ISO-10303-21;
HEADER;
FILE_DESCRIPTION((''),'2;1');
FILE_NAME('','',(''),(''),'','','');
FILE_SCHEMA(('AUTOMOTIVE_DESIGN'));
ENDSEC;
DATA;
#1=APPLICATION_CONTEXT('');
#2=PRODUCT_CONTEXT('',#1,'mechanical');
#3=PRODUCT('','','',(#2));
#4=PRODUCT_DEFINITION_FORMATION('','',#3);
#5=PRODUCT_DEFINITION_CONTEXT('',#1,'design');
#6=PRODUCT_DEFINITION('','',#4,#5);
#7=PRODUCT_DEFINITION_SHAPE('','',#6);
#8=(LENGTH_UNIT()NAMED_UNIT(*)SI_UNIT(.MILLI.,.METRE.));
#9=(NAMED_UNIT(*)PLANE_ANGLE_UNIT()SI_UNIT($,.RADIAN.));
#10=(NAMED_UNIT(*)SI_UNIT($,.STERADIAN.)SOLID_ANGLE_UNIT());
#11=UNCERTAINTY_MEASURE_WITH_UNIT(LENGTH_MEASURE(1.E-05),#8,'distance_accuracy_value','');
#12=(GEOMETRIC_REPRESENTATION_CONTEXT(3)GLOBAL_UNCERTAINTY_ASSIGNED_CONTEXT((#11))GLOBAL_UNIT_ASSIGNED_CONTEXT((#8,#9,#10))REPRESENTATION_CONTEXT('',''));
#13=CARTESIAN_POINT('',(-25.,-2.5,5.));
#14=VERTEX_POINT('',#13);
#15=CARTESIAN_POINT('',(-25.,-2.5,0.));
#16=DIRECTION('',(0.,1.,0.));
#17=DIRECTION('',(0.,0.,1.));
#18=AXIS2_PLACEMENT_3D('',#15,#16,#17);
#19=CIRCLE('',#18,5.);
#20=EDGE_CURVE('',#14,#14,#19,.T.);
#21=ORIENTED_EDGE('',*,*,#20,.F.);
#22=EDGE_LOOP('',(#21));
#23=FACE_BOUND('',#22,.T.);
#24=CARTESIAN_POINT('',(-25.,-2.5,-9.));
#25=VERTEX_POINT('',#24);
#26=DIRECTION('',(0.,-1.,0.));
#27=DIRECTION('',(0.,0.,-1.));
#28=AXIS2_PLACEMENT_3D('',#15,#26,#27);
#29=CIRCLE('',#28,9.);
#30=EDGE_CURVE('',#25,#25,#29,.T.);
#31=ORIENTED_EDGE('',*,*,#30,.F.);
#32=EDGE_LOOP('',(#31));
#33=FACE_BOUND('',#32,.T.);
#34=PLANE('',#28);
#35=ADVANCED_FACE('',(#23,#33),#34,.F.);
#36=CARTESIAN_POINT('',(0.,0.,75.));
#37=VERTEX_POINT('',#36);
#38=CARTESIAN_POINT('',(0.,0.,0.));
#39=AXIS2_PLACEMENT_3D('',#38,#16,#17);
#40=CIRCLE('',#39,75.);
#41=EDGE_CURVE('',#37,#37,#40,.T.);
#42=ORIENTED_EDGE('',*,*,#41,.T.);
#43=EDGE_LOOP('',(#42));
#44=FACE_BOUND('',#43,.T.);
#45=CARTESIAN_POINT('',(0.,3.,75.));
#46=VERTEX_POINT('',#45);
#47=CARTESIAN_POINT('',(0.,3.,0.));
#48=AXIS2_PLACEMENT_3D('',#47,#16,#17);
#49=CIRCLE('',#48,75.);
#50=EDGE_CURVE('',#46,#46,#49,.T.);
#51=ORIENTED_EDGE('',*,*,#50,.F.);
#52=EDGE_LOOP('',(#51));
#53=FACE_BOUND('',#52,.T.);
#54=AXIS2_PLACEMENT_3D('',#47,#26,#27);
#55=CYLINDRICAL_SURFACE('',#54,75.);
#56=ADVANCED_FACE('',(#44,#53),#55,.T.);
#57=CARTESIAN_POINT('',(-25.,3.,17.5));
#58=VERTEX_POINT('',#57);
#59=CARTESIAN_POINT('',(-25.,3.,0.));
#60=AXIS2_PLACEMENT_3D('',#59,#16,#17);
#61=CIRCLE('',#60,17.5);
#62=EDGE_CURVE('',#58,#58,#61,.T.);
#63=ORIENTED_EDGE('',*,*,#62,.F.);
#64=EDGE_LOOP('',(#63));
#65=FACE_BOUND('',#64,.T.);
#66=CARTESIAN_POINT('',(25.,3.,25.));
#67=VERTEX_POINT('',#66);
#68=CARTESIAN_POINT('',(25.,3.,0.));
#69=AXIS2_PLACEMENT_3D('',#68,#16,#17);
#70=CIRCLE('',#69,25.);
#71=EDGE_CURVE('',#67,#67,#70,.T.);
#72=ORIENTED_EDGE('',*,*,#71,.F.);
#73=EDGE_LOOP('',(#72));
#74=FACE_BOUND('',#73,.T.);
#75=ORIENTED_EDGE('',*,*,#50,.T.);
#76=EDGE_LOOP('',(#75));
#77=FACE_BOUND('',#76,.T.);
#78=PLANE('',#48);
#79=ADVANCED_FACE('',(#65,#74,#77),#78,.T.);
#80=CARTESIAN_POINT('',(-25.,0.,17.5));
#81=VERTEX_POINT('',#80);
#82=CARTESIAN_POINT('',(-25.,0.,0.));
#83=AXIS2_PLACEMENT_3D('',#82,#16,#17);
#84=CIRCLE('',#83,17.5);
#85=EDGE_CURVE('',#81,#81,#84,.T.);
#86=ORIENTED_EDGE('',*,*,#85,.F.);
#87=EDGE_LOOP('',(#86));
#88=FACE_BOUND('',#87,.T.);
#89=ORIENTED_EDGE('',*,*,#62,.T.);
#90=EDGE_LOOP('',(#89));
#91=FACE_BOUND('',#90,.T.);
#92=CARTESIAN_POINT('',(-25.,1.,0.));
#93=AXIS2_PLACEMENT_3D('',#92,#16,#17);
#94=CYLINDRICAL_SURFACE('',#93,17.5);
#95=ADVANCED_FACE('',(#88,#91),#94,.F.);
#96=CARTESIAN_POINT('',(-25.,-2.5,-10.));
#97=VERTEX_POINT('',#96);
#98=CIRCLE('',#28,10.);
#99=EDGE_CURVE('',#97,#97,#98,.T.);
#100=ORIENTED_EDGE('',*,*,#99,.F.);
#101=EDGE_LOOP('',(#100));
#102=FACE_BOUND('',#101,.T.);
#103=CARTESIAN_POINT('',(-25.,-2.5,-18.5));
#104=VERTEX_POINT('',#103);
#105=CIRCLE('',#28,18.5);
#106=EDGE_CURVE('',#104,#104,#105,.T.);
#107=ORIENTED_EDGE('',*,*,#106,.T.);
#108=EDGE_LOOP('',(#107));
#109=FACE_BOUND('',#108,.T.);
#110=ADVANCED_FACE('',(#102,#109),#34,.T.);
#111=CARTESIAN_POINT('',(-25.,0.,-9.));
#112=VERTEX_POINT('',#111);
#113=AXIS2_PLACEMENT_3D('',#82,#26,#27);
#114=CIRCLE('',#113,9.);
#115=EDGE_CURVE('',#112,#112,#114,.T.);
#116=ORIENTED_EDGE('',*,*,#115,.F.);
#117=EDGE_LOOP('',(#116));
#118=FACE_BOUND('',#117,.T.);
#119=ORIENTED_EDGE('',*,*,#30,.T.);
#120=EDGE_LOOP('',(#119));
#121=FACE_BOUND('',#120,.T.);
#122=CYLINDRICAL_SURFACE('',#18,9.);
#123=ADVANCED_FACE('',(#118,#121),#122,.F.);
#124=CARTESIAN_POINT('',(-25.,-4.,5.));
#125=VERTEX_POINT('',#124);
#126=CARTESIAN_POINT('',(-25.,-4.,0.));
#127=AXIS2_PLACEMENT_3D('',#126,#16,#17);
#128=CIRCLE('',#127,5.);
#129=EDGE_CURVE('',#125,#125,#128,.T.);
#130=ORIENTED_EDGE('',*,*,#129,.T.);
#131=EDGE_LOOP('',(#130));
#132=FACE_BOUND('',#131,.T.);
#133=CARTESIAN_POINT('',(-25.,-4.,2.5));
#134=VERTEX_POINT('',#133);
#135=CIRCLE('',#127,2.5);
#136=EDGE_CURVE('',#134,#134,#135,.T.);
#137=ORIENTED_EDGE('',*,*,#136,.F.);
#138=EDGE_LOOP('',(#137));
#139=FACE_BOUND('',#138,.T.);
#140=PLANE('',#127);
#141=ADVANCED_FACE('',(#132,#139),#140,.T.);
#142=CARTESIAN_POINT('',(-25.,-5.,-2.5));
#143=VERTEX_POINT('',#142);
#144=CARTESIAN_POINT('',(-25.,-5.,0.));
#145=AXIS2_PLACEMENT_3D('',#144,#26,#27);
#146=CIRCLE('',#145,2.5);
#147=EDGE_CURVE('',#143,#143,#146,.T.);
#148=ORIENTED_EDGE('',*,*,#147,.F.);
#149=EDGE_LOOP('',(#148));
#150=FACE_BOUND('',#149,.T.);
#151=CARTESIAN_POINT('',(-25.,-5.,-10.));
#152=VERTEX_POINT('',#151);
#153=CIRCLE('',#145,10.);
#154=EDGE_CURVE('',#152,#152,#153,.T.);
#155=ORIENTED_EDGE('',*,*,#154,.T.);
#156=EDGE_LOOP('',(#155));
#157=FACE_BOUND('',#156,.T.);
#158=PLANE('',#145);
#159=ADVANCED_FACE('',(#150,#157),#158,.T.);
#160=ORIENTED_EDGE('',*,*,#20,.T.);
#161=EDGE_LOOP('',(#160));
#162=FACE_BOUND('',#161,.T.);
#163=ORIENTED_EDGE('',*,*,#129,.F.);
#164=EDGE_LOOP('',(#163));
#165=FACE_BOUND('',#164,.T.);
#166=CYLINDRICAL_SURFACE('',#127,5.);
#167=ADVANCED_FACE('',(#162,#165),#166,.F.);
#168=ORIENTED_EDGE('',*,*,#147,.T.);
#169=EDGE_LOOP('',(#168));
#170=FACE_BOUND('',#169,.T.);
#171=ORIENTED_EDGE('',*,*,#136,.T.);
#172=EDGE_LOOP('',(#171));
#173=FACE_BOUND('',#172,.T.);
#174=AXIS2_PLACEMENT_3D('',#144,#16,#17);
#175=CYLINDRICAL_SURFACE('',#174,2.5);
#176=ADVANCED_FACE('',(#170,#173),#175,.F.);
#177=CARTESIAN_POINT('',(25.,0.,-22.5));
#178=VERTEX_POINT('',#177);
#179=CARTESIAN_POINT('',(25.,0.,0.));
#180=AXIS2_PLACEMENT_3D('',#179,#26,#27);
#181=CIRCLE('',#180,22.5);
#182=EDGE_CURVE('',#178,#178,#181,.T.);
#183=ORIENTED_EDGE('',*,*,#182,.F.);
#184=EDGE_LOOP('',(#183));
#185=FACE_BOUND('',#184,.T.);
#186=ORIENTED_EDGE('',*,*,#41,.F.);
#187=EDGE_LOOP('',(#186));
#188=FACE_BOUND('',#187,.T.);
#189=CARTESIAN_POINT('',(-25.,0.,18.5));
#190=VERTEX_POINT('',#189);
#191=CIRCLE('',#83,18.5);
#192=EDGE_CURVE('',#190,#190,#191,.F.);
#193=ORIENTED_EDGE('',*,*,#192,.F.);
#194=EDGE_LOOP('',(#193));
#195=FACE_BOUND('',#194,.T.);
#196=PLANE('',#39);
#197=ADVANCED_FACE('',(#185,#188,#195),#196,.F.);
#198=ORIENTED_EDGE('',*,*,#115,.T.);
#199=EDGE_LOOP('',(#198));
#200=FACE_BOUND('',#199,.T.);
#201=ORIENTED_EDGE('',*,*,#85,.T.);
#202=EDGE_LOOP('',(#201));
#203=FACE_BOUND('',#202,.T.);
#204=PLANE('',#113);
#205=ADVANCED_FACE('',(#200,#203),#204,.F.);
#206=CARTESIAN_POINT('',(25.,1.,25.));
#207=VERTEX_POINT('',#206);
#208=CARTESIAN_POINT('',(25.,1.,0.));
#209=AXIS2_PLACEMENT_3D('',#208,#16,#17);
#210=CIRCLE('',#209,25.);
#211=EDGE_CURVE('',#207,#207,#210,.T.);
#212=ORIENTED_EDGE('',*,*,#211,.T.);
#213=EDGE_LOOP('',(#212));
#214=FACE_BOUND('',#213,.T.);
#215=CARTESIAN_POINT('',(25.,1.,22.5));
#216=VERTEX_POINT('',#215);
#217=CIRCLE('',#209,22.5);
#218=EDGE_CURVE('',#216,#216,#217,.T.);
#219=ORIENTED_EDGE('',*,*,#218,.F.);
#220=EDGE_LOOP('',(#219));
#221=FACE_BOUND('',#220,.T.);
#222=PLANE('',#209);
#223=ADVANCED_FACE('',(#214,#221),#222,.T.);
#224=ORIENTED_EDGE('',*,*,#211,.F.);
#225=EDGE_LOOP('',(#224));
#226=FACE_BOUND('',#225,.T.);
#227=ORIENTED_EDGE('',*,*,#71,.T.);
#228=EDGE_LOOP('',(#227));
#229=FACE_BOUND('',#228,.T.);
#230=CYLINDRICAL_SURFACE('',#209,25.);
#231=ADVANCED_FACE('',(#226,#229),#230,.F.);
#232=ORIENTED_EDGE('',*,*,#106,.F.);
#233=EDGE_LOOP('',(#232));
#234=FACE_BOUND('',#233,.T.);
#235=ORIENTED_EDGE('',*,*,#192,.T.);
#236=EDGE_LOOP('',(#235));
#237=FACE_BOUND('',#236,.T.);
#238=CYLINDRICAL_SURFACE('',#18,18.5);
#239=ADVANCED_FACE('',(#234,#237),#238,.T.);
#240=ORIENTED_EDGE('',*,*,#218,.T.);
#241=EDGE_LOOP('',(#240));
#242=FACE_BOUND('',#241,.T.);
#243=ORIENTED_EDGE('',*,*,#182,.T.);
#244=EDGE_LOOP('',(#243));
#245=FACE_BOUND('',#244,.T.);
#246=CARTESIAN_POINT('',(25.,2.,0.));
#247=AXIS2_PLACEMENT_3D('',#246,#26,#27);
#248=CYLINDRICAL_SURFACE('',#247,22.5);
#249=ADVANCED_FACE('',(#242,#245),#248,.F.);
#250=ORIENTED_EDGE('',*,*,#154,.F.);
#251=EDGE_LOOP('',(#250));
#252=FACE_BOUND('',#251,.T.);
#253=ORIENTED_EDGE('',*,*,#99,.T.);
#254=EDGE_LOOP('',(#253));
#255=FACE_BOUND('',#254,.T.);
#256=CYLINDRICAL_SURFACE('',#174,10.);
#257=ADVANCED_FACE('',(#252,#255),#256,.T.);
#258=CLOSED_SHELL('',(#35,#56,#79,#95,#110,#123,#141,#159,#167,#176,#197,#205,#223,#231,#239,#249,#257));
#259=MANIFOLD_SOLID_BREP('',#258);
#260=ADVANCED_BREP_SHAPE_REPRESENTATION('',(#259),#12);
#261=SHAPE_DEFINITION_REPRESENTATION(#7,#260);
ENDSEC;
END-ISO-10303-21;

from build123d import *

# Parameters (mm, degrees)
SKETCH_1_R          = 75
EXTRUDE_1_DEPTH     = 3
SKETCH_2_R          = 17.5
SKETCH_2_R_2        = 25
CUT_EXTRUDE_1_DEPTH = 2
SKETCH_3_R          = 22.5
CUT_EXTRUDE_2_DEPTH = 2
SKETCH_12_R         = 17.5
CUT_EXTRUDE_7_DEPTH = 1
SKETCH_15_R         = 18.5
SKETCH_15_R_2       = 9
EXTRUDE_6_DEPTH     = 2.5
SKETCH_16_R         = 10
SKETCH_16_R_2       = 2.5
EXTRUDE_7_DEPTH     = 2.5
SKETCH_17_R         = 5
CUT_EXTRUDE_9_DEPTH = 1.5


with BuildPart() as part:
    # 草图1 → 凸台-拉伸1 (new body)
    with BuildSketch(Plane(origin=(0, 0, 0), x_dir=(1, 0, 0), z_dir=(0, 1, 0))):
        with Locations(Location((0, 0, 0), (0, 0, 270))):
            Circle(SKETCH_1_R)
    extrude(amount=EXTRUDE_1_DEPTH)

    # 草图2 → 切除-拉伸1 (cut)
    with BuildSketch(Plane(origin=(0, 3, 0), x_dir=(1, 0, 0), z_dir=(0, 1, 0))):
        with Locations(Location((-25, 0, 0), (0, 0, 270))):
            Circle(SKETCH_2_R)
        with Locations(Location((25, 0, 0), (0, 0, 270))):
            Circle(SKETCH_2_R_2)
    extrude(amount=-CUT_EXTRUDE_1_DEPTH, mode=Mode.SUBTRACT)

    # 草图3 → 切除-拉伸2 (cut)
    with BuildSketch(Plane.XZ):
        with Locations(Location((25, 0, 0), (0, 0, 270))):
            Circle(SKETCH_3_R)
    extrude(amount=-CUT_EXTRUDE_2_DEPTH, mode=Mode.SUBTRACT)

    # 草图12 → 切除-拉伸7 (cut)
    with BuildSketch(Plane(origin=(0, 1, 0), x_dir=(1, 0, 0), z_dir=(0, 1, 0))):
        with Locations(Location((-25, 0, 0), (0, 0, 270))):
            Circle(SKETCH_12_R)
    extrude(amount=-CUT_EXTRUDE_7_DEPTH, mode=Mode.SUBTRACT)

    # 草图15 → 凸台-拉伸6 (add)
    with BuildSketch(Plane.XZ):
        with Locations(Location((-25, 0, 0), (0, 0, 90))):
            Circle(SKETCH_15_R)
        with Locations(Location((-25, 0, 0), (0, 0, 270))):
            Circle(SKETCH_15_R_2, mode=Mode.SUBTRACT)
    extrude(amount=EXTRUDE_6_DEPTH)

    # 草图16 → 凸台-拉伸7 (add)
    with BuildSketch(Plane.XZ.offset(2.5)):
        with Locations(Location((-25, 0, 0), (0, 0, 270))):
            Circle(SKETCH_16_R)
        with Locations(Location((-25, 0, 0), (0, 0, 270))):
            Circle(SKETCH_16_R_2, mode=Mode.SUBTRACT)
    extrude(amount=EXTRUDE_7_DEPTH)

    # 草图17 → 切除-拉伸9 (cut)
    with BuildSketch(Plane(origin=(0, -2.5, 0), x_dir=(1, 0, 0), z_dir=(0, 1, 0))):
        with Locations(Location((-25, 0, 0), (0, 0, 270))):
            Circle(SKETCH_17_R)
    extrude(amount=-CUT_EXTRUDE_9_DEPTH, mode=Mode.SUBTRACT)


solid = part.part
